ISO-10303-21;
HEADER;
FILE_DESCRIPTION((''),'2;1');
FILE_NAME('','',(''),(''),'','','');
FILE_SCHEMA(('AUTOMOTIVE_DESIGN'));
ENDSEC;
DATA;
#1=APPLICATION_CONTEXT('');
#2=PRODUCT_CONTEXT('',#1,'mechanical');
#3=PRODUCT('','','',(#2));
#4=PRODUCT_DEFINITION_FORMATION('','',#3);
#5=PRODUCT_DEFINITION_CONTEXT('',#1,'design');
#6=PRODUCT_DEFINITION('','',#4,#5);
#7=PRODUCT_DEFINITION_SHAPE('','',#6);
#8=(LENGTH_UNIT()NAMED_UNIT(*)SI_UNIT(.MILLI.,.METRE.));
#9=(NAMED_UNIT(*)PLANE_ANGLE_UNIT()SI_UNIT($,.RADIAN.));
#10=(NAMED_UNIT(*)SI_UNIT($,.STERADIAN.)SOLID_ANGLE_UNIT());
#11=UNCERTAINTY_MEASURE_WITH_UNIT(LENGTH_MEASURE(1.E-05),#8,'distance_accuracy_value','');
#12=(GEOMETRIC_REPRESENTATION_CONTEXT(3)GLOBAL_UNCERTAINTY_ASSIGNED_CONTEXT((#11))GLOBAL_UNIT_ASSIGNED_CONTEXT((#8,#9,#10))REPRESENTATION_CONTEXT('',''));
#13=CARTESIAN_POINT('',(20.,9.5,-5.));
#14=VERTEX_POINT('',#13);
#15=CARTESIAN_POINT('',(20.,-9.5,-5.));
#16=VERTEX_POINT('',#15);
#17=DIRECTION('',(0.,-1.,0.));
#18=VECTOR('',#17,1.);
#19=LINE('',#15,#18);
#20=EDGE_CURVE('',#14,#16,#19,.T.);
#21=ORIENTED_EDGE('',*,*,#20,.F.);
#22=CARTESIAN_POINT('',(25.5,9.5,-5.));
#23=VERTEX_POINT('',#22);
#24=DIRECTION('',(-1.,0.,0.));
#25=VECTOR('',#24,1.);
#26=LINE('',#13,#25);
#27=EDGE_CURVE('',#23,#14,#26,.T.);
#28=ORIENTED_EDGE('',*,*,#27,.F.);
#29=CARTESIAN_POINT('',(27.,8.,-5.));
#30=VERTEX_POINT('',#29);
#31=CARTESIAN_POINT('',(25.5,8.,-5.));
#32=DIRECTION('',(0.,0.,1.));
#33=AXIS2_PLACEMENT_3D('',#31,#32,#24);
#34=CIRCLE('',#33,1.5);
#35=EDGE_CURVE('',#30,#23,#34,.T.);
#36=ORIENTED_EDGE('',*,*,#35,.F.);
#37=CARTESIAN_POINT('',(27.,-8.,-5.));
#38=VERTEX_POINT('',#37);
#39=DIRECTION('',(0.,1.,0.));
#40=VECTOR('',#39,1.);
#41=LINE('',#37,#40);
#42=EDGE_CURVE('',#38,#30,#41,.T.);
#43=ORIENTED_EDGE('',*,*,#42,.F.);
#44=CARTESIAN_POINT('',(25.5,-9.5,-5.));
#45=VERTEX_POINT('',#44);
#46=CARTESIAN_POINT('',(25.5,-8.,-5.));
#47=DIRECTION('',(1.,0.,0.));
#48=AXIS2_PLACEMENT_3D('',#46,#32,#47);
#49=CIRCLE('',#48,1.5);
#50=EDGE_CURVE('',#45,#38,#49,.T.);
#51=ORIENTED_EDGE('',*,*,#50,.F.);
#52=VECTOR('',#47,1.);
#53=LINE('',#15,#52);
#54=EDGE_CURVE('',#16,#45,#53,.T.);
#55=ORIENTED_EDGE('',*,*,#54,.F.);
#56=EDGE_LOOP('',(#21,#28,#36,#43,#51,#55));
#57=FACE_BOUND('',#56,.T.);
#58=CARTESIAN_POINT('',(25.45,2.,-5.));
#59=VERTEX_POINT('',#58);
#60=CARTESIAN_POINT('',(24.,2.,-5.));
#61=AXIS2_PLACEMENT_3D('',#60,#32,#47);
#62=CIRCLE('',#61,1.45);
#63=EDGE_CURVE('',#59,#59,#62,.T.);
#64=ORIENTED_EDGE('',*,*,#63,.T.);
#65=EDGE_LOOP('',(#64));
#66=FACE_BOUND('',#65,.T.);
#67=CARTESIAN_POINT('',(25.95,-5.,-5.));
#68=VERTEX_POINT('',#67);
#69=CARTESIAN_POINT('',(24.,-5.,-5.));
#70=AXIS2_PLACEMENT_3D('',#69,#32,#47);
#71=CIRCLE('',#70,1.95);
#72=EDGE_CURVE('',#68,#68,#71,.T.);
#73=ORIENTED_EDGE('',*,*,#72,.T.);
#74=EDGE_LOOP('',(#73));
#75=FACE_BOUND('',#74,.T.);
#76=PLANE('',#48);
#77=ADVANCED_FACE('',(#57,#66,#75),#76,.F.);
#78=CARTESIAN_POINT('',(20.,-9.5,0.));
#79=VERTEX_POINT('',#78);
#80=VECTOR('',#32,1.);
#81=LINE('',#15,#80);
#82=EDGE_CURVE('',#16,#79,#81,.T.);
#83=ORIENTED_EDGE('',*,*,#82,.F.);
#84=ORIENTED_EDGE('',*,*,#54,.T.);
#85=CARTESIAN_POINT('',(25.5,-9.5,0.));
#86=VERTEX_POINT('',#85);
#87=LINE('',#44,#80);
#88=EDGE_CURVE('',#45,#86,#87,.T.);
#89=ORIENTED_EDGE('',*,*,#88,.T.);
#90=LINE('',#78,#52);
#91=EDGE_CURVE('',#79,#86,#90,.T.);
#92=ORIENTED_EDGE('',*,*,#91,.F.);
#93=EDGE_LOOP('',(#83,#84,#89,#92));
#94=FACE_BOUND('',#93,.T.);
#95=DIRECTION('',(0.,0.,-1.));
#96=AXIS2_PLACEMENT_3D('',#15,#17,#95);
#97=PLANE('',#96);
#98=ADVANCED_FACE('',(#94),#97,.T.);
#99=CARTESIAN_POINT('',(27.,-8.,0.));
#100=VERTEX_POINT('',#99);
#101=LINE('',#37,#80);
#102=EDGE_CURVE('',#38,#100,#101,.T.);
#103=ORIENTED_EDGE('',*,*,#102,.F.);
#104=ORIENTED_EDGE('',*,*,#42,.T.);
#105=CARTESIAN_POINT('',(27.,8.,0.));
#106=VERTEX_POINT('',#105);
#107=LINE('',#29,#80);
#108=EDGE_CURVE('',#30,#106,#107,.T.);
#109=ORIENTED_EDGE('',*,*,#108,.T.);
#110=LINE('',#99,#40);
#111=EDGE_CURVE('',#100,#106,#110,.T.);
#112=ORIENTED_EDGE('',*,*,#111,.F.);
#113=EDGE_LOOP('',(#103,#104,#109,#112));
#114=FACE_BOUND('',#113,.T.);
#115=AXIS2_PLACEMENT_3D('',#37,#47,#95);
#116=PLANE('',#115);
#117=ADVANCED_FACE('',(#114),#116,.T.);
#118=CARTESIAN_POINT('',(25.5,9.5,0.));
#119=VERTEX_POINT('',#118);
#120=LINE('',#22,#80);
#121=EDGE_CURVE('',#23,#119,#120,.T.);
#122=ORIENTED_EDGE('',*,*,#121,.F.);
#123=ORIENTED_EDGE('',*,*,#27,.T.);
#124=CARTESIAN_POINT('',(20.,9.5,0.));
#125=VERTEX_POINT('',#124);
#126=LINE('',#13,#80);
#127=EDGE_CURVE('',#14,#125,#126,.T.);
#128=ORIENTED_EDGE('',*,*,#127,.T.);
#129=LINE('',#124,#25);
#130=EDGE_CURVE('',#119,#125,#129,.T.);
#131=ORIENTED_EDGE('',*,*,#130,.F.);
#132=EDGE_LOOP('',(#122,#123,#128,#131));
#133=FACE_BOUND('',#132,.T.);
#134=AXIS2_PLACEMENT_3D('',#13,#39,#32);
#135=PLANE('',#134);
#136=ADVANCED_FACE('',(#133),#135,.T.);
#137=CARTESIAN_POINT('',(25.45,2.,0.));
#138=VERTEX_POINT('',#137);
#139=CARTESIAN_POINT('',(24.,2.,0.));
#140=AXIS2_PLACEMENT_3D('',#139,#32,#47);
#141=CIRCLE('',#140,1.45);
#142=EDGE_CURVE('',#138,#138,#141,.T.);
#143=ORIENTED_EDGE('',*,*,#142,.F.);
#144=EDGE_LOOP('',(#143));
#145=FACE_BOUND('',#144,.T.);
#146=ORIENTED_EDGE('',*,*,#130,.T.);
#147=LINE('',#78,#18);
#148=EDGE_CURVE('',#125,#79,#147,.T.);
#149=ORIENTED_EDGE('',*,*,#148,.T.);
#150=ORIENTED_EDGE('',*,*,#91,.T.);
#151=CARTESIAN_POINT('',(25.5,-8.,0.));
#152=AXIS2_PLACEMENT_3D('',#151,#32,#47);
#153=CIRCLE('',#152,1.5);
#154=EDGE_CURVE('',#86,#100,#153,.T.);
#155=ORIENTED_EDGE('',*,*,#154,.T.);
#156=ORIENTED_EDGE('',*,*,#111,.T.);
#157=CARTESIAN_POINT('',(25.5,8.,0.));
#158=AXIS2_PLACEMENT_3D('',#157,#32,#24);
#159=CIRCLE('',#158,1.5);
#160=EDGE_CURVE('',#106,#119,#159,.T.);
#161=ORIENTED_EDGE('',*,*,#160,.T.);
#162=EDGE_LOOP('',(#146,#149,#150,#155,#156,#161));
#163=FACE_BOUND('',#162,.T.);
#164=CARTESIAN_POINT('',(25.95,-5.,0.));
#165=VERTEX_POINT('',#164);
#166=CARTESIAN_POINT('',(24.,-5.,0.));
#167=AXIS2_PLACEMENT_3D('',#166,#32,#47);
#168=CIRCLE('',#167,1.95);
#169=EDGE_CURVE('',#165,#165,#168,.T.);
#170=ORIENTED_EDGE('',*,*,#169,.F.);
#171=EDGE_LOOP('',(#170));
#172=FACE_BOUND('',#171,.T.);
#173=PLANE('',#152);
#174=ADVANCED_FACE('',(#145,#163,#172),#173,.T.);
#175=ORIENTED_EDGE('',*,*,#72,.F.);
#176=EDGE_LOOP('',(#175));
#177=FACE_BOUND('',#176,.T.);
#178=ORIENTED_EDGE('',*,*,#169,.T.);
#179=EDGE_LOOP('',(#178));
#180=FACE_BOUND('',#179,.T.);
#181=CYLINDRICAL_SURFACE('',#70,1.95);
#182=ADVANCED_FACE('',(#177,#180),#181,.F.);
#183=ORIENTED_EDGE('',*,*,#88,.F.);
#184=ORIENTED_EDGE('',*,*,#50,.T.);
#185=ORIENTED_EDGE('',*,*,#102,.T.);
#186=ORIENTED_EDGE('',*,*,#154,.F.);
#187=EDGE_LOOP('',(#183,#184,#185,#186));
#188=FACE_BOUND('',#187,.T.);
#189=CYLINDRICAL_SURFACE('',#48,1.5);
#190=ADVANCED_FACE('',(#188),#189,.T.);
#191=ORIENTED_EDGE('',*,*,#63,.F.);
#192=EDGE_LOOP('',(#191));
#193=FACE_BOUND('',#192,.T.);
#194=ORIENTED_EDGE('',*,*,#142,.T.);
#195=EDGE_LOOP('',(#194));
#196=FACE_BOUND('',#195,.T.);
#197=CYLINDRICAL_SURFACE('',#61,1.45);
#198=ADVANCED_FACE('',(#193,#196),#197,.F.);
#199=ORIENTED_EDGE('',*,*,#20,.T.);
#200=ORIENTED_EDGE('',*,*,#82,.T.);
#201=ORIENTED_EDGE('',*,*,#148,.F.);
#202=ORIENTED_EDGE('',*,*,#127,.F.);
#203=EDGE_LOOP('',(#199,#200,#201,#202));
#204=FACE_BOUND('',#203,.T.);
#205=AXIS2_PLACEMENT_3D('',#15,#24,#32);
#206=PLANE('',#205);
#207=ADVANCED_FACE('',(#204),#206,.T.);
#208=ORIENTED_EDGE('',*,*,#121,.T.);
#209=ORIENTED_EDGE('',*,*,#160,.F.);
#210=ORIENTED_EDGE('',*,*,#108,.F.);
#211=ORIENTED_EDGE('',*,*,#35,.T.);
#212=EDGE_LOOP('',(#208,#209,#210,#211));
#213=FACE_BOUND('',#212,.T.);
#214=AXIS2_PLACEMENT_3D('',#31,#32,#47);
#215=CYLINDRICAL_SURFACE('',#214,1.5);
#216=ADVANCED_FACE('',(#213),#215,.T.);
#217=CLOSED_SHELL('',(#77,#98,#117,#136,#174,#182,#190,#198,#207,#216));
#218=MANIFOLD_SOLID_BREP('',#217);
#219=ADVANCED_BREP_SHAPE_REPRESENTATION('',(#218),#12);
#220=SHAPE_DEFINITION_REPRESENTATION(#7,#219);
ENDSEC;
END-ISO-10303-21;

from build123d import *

# Parameters (mm, degrees)
SKETCH1_R           = 1.95
SKETCH1_R_2         = 1.45
BOSS_EXTRUDE2_DEPTH = 5


with BuildPart() as part:
    # Sketch1 → Boss-Extrude2 (new body)
    with BuildSketch(Plane.XY):
        with BuildLine():
            Line((20, -9.5), (20, 9.5))
            Line((20, 9.5), (25.5, 9.5))
            ThreePointArc((25.5, 9.5), (26.560660172, 9.060660172), (27, 8))
            Line((27, 8), (27, -8))
            ThreePointArc((27, -8), (26.560660172, -9.060660172), (25.5, -9.5))
            Line((25.5, -9.5), (20, -9.5))
        make_face()
        with Locations((24, -5)):
            Circle(SKETCH1_R, mode=Mode.SUBTRACT)
        with Locations((24, 2)):
            Circle(SKETCH1_R_2, mode=Mode.SUBTRACT)
    extrude(amount=-BOSS_EXTRUDE2_DEPTH)


solid = part.part
